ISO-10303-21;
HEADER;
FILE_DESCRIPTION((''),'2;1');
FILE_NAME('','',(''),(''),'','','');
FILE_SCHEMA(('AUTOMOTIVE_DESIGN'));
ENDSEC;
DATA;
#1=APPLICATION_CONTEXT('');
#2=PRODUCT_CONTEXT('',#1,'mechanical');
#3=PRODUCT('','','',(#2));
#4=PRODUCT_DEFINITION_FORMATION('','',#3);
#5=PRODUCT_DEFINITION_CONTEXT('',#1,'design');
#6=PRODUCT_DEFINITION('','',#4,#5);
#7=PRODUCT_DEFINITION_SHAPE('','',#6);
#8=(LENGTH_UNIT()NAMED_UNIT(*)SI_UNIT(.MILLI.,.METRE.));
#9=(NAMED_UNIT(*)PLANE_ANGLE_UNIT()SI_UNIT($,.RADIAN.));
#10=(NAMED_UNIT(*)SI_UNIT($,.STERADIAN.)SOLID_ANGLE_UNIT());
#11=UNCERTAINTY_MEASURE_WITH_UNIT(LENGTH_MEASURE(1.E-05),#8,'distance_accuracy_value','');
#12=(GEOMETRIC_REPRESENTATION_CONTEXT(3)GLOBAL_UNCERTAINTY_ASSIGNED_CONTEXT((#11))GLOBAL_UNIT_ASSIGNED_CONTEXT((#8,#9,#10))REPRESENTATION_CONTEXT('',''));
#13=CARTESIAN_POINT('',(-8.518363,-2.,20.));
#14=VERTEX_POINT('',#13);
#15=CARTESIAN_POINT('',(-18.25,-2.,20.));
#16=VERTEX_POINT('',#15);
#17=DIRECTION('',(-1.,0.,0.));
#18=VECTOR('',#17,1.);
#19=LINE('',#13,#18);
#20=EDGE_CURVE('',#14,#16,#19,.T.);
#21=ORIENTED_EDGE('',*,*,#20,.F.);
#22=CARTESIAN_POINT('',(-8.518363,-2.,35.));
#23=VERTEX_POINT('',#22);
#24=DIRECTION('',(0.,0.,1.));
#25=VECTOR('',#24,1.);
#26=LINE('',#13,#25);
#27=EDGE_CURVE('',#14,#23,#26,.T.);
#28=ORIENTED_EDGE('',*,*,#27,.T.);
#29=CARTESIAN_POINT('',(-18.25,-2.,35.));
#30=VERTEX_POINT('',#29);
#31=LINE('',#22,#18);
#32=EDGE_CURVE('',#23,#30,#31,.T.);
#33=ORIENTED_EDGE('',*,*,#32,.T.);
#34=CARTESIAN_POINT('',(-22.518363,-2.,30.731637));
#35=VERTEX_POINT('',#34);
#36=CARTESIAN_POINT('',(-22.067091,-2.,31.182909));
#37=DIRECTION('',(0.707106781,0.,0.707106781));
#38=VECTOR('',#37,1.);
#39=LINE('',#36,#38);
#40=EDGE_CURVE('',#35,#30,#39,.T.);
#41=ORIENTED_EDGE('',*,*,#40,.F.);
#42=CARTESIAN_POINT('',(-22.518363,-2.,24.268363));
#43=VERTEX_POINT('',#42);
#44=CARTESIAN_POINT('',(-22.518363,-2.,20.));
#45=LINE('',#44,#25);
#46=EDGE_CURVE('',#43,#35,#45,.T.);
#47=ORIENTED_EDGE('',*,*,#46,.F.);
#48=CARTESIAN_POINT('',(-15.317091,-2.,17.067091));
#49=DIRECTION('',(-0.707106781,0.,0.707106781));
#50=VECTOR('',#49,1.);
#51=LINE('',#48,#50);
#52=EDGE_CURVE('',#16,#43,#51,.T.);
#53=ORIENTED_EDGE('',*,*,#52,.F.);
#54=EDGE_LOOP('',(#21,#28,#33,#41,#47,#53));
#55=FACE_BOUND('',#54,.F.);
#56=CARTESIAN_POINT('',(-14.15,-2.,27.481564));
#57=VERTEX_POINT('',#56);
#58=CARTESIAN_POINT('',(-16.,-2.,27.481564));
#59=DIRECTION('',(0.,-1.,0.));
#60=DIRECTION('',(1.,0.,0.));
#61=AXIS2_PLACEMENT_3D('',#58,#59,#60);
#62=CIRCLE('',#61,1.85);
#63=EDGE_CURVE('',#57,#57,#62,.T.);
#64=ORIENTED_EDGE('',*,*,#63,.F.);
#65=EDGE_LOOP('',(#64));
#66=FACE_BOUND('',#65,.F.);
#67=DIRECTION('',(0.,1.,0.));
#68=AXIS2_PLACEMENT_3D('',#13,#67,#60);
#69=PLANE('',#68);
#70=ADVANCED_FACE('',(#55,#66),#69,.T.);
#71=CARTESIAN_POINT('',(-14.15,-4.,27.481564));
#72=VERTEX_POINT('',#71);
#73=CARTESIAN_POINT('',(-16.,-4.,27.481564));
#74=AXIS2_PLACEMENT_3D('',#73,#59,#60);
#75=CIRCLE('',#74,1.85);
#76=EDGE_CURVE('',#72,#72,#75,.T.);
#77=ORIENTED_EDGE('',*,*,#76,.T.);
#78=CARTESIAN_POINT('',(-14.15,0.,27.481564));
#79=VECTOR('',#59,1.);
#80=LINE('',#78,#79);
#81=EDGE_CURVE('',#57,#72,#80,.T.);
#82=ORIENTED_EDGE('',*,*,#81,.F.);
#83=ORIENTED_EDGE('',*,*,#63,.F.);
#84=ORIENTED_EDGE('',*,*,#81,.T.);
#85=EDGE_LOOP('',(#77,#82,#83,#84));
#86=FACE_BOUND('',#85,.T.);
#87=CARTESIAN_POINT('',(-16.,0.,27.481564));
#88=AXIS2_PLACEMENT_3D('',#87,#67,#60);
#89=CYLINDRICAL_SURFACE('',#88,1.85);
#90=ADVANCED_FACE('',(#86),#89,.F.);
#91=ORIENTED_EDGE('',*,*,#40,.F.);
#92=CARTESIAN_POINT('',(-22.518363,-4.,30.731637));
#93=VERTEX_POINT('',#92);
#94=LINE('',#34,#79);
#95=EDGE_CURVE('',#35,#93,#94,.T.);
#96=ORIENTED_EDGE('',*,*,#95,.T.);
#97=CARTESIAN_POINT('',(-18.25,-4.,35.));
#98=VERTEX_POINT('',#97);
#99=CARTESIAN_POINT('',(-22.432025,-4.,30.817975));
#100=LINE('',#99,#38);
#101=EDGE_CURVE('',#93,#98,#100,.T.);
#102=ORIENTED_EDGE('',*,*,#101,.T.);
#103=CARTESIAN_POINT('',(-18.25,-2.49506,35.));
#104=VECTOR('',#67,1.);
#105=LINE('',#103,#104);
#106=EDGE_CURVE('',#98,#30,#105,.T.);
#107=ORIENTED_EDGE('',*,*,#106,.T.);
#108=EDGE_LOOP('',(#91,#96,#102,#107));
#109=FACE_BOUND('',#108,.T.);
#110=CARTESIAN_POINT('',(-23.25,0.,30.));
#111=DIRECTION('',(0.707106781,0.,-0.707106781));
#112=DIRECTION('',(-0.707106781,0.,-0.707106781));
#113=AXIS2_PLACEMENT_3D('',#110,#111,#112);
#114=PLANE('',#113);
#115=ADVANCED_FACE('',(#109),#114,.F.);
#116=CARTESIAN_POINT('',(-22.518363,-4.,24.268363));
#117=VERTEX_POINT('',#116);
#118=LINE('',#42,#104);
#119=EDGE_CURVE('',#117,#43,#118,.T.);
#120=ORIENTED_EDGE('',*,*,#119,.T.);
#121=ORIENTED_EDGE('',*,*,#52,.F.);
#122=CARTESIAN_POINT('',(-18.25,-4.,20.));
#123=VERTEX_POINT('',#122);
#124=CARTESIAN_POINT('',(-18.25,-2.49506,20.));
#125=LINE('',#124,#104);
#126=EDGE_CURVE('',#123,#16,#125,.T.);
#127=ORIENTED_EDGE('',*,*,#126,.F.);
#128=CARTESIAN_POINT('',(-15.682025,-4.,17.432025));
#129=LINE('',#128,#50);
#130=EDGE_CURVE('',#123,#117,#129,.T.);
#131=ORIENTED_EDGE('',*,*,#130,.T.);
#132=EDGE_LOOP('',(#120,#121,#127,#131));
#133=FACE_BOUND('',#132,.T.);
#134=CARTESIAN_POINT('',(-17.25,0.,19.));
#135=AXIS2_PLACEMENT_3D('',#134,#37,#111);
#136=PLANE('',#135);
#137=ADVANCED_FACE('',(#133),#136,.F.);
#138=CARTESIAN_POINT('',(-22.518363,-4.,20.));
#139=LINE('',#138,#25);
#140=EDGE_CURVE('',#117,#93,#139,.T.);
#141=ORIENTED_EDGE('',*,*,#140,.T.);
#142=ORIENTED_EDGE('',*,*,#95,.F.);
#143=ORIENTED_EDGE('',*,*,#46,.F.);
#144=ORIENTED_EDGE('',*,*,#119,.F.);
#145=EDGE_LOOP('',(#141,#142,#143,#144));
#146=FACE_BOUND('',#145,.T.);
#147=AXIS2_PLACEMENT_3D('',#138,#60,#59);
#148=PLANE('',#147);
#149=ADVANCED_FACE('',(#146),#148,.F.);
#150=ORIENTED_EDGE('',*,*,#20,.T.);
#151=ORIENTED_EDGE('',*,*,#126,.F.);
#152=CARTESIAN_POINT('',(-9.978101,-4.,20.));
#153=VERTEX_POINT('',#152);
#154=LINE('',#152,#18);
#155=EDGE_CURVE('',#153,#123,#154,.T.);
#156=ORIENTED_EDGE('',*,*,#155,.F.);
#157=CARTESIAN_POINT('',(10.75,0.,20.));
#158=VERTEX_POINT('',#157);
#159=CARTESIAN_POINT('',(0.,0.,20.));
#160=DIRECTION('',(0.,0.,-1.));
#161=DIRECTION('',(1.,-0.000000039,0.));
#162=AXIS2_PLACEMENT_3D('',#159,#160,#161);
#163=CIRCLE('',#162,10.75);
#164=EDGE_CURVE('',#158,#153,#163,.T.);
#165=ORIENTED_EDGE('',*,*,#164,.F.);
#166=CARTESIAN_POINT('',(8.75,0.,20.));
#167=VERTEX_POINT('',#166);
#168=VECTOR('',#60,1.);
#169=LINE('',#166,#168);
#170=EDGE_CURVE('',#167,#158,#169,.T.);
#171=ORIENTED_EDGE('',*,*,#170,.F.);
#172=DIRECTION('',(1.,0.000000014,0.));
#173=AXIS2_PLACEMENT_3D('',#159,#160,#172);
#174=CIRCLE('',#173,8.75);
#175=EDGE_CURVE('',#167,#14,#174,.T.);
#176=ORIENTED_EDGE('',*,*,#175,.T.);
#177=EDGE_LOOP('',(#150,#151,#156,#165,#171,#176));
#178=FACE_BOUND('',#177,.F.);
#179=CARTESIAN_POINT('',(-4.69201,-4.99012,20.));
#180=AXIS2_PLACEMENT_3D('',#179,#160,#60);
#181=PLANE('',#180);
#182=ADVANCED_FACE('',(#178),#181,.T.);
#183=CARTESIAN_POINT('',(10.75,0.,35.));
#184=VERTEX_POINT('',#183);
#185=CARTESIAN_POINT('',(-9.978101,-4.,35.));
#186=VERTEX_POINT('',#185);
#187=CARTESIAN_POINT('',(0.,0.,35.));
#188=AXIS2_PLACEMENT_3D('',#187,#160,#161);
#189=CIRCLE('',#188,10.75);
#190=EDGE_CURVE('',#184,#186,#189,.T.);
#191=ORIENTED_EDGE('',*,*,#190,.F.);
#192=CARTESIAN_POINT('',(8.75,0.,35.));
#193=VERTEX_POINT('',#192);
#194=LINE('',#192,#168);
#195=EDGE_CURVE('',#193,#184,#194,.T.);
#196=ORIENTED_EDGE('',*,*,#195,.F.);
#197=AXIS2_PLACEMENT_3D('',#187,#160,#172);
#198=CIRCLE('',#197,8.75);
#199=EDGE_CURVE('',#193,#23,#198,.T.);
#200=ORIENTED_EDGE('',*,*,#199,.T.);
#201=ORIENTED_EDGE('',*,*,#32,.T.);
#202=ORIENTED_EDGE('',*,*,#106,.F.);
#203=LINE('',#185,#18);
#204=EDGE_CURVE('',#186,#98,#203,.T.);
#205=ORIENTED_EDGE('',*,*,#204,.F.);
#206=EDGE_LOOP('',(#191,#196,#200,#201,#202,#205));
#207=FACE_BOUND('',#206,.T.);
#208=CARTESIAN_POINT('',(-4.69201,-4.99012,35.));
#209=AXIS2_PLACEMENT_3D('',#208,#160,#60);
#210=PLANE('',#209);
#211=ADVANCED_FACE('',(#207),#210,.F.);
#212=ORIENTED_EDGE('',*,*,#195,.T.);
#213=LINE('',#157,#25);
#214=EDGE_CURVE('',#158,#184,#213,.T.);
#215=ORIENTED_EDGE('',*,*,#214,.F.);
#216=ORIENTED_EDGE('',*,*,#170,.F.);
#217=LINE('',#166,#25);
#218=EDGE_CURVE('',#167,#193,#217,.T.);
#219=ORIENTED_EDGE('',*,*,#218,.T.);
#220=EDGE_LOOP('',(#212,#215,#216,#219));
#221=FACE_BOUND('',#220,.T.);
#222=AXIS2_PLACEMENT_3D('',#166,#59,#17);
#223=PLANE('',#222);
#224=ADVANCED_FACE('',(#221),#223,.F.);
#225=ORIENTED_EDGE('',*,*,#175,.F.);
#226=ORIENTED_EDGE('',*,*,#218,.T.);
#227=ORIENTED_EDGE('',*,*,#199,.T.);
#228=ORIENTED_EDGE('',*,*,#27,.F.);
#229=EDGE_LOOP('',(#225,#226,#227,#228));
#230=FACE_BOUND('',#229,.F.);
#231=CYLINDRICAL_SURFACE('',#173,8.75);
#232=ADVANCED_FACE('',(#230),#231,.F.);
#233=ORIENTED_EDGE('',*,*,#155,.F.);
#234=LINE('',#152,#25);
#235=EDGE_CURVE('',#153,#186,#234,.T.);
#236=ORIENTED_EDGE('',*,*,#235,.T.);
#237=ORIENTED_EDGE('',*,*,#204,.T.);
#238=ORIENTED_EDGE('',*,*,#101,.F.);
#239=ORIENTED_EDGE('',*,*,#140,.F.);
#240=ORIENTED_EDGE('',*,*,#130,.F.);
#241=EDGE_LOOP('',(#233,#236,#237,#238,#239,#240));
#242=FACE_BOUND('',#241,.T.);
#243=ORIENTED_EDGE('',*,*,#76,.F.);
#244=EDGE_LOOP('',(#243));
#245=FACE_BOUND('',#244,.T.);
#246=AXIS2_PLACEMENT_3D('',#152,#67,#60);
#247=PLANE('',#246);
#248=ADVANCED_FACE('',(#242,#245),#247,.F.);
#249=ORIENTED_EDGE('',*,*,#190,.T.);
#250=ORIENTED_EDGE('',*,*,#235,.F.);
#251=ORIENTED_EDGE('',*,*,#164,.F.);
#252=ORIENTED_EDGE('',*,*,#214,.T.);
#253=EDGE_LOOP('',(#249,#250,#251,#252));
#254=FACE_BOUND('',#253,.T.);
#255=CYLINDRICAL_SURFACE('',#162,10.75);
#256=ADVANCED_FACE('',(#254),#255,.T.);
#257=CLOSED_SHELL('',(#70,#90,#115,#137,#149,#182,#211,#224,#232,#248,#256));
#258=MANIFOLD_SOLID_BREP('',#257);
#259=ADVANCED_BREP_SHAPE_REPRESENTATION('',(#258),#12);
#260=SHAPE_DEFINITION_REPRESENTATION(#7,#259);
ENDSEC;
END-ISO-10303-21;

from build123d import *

# Parameters (mm, degrees)
SKETCH016_R       = 1.85
EXTRUDE013_DEPTH  = 12
CYLINDER007_R     = 5
CYLINDER007_DEPTH = 1
EXTRUDE012_DEPTH  = 15


with BuildPart() as extrude013:
    # Sketch016 → Extrude013 (new body)
    with BuildSketch(Plane.XZ):
        Polygon((11.75, 36), (11.75, 19), (-17.25, 19), (-23.25, 25), (-23.25, 30), (-17.25, 36), align=None)
        with Locations((-16, 27.481564)):
            Circle(SKETCH016_R, mode=Mode.SUBTRACT)
    extrude(amount=-EXTRUDE013_DEPTH)


with BuildPart() as unprintable:
    # Cylinder007 → Cylinder007 (new body)
    with BuildSketch(Plane(origin=(-16, 18, 27.5), x_dir=(1, 0, 0), z_dir=(0, -1, 0))):
        Circle(CYLINDER007_R)
    extrude(amount=CYLINDER007_DEPTH)


with BuildPart() as body007:
    # Sketch015 → Extrude012 (new body)
    with BuildSketch(Plane.XY.offset(50)):
        with BuildLine():
            ThreePointArc((8.75, 0), (1.006685, 8.691898), (-8.518363, 2))
            Line((-8.518363, 2), (-22.518363, 2))
            Line((-22.518363, 4), (-22.518363, 2))
            Line((-9.978101, 4), (-22.518363, 4))
            ThreePointArc((10.75, 0), (2.036899, 10.555261), (-9.978101, 4))
            Line((8.75, 0), (10.75, 0))
        make_face()
    extrude(amount=EXTRUDE012_DEPTH)


with BuildPart() as body007_1:
    # Extrude012 placement: moved
    add(body007.part.moved(Location((0, 0, -30))))

    # Fusion016: union unprintable
    add(unprintable.part)

    # Common001: intersect Extrude013
    add(extrude013.part, mode=Mode.INTERSECT)


with BuildPart() as part_mirroring008:
    # Part__Mirroring008: instance of Body007
    add(body007_1.part.mirror(Plane(origin=(0, 0, 0), x_dir=(1, 0, 0), z_dir=(0, 1, 0))))


solid = part_mirroring008.part
